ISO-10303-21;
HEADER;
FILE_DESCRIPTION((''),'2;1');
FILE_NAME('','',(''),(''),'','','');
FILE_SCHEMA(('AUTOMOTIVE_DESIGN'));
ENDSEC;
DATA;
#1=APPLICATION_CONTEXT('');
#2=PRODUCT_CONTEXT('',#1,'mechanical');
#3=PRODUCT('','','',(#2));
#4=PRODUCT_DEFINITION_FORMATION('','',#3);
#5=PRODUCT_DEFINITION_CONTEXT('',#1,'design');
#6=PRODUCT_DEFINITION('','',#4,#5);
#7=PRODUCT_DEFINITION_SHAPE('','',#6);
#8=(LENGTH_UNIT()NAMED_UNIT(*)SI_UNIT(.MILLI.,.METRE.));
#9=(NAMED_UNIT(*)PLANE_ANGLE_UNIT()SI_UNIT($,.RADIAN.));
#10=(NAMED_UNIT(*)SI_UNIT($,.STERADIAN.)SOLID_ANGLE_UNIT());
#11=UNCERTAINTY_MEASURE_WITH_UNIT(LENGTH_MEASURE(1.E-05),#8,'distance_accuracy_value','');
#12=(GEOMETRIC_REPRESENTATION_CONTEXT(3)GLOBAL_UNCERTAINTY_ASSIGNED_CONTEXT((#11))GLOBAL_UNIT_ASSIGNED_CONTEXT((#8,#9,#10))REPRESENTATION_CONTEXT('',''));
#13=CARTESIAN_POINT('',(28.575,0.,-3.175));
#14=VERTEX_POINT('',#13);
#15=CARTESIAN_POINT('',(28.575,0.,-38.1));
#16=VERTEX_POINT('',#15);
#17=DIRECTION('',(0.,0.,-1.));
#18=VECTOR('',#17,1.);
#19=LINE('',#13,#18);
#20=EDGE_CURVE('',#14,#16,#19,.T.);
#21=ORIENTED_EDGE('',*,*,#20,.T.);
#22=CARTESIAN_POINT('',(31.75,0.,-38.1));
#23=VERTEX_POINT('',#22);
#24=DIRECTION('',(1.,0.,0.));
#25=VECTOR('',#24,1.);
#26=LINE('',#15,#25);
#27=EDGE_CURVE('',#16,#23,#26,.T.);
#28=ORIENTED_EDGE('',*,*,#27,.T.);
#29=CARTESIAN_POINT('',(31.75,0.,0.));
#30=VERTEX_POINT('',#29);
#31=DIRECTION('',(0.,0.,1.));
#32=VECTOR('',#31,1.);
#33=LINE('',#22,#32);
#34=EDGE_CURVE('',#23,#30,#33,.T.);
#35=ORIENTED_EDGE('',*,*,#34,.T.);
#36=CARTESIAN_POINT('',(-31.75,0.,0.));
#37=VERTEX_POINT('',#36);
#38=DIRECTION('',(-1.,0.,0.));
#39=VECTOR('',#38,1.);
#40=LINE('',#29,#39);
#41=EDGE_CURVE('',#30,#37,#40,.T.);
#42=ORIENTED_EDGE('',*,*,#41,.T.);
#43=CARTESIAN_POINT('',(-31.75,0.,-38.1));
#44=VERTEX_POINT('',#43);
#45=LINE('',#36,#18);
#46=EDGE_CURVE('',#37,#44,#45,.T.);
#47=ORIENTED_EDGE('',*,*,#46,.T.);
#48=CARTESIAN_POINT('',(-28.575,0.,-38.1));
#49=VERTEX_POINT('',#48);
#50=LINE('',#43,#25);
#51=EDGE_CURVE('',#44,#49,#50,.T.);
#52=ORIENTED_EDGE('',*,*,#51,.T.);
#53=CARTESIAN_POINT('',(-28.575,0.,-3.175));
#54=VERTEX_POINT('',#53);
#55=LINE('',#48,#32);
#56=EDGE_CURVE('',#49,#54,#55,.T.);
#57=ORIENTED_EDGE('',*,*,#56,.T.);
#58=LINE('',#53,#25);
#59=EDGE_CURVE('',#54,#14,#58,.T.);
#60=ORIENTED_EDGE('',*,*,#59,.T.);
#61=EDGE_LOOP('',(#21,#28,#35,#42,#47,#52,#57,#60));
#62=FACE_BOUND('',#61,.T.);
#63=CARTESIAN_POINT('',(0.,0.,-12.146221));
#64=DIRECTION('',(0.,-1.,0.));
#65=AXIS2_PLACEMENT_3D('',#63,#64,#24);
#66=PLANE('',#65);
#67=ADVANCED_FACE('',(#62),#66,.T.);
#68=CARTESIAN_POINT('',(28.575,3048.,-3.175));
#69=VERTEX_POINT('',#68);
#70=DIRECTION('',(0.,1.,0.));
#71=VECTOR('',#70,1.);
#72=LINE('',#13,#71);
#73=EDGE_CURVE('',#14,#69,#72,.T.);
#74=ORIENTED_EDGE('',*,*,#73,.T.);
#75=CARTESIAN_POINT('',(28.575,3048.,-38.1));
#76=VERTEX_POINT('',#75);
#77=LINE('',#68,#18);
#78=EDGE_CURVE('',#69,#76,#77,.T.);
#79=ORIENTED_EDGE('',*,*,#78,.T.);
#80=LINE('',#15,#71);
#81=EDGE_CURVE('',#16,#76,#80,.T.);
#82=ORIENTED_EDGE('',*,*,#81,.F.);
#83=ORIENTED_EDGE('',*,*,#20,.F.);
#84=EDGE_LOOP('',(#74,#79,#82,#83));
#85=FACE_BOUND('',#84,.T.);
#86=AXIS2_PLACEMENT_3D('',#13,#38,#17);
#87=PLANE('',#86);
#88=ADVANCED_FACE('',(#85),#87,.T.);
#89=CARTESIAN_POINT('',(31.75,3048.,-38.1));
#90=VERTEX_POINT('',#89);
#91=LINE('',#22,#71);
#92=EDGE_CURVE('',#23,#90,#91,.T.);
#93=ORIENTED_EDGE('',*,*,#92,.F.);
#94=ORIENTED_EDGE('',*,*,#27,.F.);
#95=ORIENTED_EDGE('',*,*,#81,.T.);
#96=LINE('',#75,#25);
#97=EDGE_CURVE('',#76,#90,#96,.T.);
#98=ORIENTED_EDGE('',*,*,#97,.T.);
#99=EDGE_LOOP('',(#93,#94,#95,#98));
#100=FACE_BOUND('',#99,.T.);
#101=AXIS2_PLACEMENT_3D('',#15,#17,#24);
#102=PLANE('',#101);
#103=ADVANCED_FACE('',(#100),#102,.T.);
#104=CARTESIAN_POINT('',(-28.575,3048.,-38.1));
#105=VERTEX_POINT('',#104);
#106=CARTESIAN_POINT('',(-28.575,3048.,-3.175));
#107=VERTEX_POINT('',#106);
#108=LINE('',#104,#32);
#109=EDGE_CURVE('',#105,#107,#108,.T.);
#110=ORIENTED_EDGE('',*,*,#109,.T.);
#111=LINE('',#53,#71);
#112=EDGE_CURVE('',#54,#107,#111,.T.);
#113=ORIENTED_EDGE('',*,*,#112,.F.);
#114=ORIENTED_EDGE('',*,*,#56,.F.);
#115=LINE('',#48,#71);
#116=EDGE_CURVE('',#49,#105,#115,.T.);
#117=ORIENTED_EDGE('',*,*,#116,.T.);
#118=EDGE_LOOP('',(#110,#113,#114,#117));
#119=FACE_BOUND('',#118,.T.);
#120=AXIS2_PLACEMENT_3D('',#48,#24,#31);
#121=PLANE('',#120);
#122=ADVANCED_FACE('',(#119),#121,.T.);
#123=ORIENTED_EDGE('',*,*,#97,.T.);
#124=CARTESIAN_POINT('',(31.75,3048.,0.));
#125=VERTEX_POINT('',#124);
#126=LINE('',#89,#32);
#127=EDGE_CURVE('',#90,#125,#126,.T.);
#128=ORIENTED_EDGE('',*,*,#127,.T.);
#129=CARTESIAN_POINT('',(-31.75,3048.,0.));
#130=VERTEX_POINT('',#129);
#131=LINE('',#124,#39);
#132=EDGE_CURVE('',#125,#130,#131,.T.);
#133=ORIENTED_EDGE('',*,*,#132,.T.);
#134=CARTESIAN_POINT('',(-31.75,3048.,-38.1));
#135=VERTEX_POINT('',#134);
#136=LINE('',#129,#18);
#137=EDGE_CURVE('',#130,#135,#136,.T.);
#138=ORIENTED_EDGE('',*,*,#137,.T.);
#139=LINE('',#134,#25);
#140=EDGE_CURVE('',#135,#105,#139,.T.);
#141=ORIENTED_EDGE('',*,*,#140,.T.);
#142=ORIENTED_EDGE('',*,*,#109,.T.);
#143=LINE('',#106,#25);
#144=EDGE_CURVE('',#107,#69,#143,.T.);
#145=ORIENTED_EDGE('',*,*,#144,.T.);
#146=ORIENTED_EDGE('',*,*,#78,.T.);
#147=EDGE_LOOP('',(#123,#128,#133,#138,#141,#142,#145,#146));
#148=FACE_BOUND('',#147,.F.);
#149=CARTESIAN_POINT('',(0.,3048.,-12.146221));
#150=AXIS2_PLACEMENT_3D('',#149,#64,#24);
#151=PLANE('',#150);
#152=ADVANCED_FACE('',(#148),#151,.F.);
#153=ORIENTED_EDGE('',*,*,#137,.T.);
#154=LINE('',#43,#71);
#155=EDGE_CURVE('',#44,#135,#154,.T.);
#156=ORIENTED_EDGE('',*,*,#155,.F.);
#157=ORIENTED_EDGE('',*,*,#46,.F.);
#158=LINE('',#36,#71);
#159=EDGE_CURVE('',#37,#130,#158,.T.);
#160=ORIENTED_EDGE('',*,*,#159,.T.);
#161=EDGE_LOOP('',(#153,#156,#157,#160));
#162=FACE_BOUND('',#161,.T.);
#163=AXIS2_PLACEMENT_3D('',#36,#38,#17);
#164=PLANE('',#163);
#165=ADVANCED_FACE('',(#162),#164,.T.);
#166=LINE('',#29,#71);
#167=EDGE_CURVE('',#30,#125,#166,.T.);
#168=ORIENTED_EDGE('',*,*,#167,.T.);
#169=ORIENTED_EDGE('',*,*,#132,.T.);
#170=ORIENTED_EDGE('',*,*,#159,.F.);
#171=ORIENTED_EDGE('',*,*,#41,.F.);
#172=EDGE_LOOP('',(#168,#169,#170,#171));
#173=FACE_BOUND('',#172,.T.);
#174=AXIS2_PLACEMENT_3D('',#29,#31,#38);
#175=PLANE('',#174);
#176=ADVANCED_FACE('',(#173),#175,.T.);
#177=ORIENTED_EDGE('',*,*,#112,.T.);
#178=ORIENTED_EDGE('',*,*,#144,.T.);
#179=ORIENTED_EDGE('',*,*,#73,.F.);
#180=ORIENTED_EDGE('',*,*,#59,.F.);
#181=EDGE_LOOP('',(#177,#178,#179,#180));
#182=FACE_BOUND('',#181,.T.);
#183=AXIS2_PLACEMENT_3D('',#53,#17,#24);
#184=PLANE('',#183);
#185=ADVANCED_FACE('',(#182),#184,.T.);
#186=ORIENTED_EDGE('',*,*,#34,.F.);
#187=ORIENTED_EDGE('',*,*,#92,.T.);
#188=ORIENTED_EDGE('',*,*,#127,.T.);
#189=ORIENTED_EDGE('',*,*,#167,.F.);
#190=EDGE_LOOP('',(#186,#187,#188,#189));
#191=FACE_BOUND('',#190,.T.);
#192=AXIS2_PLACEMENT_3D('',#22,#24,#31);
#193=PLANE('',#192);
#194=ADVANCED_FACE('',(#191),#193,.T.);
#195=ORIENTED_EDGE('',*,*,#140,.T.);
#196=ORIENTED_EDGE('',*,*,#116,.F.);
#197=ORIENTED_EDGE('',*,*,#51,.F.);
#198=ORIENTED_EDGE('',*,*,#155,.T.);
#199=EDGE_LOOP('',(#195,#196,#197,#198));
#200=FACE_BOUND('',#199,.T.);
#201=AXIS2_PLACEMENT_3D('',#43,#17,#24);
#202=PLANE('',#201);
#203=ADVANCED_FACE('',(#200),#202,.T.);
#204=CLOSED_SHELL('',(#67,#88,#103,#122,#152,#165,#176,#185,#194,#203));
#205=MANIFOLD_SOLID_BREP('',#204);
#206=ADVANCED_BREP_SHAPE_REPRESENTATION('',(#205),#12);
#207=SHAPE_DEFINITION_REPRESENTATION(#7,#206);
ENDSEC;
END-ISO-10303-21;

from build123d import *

# Parameters (mm, degrees)
F1_DEPTH = 3048


with BuildPart() as f1:
    # F0 (on Front) → F1 (new body)
    with BuildSketch(Plane.XZ):
        Polygon((31.75, 0), (-31.75, 0), (-31.75, -38.1), (-28.575, -38.1), (-28.575, -3.175), (28.575, -3.175), (28.575, -38.1), (31.75, -38.1), align=None)
    extrude(amount=-F1_DEPTH)


solid = f1.part
